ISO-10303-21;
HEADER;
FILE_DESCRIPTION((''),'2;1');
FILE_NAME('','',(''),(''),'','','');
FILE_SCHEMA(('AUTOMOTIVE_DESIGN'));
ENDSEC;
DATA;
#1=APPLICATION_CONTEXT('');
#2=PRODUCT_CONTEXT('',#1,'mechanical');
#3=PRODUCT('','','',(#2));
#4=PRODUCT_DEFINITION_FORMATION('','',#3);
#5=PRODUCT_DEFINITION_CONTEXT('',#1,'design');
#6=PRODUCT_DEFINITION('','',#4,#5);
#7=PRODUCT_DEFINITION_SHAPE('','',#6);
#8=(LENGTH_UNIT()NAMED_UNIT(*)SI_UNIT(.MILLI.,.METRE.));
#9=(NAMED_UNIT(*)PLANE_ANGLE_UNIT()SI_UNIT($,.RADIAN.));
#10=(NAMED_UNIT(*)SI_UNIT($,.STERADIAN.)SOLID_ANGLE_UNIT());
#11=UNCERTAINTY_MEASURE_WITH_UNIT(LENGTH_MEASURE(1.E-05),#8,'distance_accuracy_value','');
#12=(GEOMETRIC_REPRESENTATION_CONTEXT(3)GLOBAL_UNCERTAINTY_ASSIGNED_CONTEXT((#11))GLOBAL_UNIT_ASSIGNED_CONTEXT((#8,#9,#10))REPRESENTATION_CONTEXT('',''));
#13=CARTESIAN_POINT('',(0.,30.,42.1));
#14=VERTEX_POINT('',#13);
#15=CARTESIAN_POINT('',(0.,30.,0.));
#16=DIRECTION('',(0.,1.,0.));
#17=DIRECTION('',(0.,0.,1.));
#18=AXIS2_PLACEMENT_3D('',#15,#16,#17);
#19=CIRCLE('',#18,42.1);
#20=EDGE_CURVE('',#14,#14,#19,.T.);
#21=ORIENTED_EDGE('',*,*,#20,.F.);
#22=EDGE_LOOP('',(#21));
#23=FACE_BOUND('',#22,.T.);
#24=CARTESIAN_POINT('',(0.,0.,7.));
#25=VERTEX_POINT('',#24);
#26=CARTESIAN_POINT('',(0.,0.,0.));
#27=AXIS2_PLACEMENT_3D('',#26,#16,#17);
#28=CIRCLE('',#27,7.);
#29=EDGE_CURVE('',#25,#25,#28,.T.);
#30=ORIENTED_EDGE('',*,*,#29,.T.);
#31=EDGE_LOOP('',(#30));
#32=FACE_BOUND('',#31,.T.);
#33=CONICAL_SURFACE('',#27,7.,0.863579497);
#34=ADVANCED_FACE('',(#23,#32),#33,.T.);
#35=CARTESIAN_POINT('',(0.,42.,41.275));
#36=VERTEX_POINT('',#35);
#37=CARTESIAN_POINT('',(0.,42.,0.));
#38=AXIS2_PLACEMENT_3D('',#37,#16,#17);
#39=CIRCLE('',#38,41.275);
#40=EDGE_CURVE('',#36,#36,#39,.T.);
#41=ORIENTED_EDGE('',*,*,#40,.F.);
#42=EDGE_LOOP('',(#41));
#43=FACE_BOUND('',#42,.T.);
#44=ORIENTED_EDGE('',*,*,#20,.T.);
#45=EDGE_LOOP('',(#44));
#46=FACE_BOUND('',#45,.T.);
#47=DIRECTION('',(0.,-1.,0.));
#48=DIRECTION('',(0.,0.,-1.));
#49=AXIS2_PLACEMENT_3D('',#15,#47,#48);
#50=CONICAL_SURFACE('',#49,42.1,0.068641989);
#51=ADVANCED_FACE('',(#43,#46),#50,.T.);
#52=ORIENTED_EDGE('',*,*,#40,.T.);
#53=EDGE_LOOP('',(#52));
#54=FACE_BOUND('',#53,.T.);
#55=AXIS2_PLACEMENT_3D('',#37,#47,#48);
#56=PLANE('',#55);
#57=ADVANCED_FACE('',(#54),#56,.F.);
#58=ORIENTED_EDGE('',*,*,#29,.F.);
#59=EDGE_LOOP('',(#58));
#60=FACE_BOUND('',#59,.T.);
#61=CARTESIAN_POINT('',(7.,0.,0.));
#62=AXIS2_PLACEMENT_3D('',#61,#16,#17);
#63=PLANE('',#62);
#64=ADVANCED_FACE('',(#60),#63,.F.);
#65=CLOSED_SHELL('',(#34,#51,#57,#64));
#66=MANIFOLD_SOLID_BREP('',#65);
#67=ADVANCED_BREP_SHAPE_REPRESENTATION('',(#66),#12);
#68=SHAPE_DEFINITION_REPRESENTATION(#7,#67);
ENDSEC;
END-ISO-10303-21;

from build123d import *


with BuildPart() as part:
    # Croquis1 → Revolución1 (revolve)
    with BuildSketch(Plane.XY):
        Polygon((0, 42), (41.275, 42), (42.1, 30), (7, 0), (0, 0), align=None)
    revolve(axis=Axis((0, 59.390909091, 0), (0, -1, 0)))


solid = part.part
